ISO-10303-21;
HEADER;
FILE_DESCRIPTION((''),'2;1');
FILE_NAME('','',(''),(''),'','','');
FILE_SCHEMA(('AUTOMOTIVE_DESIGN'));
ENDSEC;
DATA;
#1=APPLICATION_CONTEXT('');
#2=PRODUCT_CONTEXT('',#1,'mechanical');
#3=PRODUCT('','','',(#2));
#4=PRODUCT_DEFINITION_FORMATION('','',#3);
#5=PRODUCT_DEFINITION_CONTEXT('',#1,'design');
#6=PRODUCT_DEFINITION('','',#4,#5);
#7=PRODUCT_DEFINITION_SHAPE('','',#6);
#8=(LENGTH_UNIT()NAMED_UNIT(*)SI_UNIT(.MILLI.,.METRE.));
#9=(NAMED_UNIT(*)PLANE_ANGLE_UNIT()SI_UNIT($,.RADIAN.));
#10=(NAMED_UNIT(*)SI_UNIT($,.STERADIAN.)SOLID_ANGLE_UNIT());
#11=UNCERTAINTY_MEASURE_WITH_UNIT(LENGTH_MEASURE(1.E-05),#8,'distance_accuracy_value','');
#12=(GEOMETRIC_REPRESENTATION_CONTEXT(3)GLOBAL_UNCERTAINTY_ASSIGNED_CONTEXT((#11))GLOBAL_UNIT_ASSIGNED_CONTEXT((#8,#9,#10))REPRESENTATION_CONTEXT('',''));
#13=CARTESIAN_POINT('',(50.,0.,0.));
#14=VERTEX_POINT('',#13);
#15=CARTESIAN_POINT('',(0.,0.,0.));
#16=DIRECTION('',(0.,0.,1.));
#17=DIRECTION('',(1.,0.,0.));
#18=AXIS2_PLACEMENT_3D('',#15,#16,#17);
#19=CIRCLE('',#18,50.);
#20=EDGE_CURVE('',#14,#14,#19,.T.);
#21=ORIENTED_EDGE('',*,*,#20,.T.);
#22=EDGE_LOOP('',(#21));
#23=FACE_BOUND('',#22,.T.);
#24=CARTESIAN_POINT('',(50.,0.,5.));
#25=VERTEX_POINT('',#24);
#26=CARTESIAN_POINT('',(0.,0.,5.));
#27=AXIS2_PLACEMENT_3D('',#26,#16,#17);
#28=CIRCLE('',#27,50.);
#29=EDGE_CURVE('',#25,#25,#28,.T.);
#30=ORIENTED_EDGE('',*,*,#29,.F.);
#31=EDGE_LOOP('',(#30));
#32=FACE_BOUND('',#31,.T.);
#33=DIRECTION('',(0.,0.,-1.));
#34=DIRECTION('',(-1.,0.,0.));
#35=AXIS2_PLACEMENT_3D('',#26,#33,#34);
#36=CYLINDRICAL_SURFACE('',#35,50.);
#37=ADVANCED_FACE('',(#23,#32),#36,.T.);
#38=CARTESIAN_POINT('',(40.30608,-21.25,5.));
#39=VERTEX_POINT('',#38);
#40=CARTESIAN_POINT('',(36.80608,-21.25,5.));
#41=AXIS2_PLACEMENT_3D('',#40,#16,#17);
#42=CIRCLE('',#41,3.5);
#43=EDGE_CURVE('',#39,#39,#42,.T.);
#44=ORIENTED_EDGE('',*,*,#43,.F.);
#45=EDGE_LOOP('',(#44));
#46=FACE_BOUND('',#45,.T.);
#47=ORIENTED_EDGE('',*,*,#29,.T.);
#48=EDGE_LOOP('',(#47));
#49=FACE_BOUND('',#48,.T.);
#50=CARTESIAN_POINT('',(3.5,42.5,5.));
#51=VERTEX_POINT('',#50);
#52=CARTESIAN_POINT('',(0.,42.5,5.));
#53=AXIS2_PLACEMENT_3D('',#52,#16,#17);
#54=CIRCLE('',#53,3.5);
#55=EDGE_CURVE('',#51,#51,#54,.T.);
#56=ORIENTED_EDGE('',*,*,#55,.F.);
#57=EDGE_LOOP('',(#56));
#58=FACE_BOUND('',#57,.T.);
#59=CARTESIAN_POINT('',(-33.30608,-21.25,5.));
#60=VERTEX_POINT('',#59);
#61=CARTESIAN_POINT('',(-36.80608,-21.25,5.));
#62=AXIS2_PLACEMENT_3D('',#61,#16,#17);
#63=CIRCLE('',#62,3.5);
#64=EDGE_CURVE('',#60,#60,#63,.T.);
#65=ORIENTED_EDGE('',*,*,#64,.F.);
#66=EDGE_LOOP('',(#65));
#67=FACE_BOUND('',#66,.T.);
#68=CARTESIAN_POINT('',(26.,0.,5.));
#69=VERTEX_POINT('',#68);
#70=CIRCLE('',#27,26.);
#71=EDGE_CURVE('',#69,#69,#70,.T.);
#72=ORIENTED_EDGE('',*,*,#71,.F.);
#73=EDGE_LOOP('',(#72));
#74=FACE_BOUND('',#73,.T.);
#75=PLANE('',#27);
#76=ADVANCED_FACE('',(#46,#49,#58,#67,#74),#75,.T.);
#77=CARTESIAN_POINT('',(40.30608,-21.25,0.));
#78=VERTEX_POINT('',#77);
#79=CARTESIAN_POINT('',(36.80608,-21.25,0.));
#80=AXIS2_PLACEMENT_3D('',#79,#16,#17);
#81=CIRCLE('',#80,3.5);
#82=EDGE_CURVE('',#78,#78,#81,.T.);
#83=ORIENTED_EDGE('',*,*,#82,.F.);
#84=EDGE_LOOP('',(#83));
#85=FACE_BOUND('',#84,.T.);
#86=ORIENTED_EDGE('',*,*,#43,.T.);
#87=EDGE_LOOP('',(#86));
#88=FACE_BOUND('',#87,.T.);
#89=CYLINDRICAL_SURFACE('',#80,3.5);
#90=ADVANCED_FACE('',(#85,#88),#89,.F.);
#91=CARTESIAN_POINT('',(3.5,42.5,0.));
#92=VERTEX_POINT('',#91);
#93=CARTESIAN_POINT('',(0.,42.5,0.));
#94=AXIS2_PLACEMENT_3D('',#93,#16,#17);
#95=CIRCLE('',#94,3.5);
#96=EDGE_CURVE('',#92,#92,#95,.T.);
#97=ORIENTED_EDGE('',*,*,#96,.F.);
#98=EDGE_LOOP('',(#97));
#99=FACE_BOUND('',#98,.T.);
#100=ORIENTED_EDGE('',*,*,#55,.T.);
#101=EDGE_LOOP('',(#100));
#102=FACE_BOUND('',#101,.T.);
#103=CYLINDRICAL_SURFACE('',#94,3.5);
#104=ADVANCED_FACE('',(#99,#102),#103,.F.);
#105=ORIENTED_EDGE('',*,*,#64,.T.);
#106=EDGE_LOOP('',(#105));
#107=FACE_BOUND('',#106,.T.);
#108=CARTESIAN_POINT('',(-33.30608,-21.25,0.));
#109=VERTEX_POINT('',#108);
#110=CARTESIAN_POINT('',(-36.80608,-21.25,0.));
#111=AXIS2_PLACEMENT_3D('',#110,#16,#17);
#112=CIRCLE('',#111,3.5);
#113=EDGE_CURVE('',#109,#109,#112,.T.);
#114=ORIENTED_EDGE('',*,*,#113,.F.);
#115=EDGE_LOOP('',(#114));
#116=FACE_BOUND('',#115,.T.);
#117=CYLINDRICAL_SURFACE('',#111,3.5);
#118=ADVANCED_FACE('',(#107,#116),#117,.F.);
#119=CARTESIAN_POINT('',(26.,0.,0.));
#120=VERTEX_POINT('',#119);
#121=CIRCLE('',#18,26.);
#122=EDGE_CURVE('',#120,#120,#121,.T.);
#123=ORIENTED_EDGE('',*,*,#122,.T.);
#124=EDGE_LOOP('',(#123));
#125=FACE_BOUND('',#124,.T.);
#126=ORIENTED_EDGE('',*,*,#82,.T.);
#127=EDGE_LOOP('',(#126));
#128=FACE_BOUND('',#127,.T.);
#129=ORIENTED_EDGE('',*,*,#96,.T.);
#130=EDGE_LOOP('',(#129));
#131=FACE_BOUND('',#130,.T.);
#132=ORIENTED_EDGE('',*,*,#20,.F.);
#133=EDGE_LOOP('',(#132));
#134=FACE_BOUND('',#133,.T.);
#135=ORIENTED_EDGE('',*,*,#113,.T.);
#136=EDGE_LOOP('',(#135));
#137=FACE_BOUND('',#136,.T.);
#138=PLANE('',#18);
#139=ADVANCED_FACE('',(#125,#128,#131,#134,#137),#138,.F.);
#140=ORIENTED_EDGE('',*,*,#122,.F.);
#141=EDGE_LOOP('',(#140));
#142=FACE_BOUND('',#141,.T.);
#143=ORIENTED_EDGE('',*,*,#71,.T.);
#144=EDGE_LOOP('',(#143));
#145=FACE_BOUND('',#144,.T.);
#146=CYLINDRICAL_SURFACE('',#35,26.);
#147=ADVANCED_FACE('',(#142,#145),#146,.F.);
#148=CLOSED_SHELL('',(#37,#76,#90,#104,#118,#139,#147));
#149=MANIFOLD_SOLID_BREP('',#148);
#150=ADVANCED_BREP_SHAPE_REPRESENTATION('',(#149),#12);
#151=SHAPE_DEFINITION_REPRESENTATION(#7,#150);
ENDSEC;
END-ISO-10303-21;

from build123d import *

# Parameters (mm, degrees)
SZKIC1_R                        = 50
SZKIC1_R_2                      = 26
DODANIE_WYCI_GNI_CIE1_DEPTH     = 5
SZKIC3_R                        = 3.5
WYTNIJ_WYCI_GNI_CIE4_DEPTH      = 1
WYTNIJ_WYCI_GNI_CIE4_DEPTH_BACK = 6


with BuildPart() as part:
    # Szkic1 → Dodanie-wyciągnięcie1 (new body)
    with BuildSketch(Plane.XY):
        Circle(SZKIC1_R)
        Circle(SZKIC1_R_2, mode=Mode.SUBTRACT)
    extrude(amount=DODANIE_WYCI_GNI_CIE1_DEPTH)

    # Szkic3 → Wytnij-wyciągnięcie4 (cut, two sides)
    with BuildSketch(Plane.XY.offset(5)) as wytnij_wyci_gni_cie4_sk:
        with Locations((0, 42.5)):
            Circle(SZKIC3_R)
        with Locations((36.806079661, -21.25)):
            Circle(SZKIC3_R)
        with Locations((-36.806079661, -21.25)):
            Circle(SZKIC3_R)
    extrude(amount=WYTNIJ_WYCI_GNI_CIE4_DEPTH, mode=Mode.SUBTRACT)
    extrude(wytnij_wyci_gni_cie4_sk.sketch, amount=-WYTNIJ_WYCI_GNI_CIE4_DEPTH_BACK, mode=Mode.SUBTRACT)


solid = part.part
